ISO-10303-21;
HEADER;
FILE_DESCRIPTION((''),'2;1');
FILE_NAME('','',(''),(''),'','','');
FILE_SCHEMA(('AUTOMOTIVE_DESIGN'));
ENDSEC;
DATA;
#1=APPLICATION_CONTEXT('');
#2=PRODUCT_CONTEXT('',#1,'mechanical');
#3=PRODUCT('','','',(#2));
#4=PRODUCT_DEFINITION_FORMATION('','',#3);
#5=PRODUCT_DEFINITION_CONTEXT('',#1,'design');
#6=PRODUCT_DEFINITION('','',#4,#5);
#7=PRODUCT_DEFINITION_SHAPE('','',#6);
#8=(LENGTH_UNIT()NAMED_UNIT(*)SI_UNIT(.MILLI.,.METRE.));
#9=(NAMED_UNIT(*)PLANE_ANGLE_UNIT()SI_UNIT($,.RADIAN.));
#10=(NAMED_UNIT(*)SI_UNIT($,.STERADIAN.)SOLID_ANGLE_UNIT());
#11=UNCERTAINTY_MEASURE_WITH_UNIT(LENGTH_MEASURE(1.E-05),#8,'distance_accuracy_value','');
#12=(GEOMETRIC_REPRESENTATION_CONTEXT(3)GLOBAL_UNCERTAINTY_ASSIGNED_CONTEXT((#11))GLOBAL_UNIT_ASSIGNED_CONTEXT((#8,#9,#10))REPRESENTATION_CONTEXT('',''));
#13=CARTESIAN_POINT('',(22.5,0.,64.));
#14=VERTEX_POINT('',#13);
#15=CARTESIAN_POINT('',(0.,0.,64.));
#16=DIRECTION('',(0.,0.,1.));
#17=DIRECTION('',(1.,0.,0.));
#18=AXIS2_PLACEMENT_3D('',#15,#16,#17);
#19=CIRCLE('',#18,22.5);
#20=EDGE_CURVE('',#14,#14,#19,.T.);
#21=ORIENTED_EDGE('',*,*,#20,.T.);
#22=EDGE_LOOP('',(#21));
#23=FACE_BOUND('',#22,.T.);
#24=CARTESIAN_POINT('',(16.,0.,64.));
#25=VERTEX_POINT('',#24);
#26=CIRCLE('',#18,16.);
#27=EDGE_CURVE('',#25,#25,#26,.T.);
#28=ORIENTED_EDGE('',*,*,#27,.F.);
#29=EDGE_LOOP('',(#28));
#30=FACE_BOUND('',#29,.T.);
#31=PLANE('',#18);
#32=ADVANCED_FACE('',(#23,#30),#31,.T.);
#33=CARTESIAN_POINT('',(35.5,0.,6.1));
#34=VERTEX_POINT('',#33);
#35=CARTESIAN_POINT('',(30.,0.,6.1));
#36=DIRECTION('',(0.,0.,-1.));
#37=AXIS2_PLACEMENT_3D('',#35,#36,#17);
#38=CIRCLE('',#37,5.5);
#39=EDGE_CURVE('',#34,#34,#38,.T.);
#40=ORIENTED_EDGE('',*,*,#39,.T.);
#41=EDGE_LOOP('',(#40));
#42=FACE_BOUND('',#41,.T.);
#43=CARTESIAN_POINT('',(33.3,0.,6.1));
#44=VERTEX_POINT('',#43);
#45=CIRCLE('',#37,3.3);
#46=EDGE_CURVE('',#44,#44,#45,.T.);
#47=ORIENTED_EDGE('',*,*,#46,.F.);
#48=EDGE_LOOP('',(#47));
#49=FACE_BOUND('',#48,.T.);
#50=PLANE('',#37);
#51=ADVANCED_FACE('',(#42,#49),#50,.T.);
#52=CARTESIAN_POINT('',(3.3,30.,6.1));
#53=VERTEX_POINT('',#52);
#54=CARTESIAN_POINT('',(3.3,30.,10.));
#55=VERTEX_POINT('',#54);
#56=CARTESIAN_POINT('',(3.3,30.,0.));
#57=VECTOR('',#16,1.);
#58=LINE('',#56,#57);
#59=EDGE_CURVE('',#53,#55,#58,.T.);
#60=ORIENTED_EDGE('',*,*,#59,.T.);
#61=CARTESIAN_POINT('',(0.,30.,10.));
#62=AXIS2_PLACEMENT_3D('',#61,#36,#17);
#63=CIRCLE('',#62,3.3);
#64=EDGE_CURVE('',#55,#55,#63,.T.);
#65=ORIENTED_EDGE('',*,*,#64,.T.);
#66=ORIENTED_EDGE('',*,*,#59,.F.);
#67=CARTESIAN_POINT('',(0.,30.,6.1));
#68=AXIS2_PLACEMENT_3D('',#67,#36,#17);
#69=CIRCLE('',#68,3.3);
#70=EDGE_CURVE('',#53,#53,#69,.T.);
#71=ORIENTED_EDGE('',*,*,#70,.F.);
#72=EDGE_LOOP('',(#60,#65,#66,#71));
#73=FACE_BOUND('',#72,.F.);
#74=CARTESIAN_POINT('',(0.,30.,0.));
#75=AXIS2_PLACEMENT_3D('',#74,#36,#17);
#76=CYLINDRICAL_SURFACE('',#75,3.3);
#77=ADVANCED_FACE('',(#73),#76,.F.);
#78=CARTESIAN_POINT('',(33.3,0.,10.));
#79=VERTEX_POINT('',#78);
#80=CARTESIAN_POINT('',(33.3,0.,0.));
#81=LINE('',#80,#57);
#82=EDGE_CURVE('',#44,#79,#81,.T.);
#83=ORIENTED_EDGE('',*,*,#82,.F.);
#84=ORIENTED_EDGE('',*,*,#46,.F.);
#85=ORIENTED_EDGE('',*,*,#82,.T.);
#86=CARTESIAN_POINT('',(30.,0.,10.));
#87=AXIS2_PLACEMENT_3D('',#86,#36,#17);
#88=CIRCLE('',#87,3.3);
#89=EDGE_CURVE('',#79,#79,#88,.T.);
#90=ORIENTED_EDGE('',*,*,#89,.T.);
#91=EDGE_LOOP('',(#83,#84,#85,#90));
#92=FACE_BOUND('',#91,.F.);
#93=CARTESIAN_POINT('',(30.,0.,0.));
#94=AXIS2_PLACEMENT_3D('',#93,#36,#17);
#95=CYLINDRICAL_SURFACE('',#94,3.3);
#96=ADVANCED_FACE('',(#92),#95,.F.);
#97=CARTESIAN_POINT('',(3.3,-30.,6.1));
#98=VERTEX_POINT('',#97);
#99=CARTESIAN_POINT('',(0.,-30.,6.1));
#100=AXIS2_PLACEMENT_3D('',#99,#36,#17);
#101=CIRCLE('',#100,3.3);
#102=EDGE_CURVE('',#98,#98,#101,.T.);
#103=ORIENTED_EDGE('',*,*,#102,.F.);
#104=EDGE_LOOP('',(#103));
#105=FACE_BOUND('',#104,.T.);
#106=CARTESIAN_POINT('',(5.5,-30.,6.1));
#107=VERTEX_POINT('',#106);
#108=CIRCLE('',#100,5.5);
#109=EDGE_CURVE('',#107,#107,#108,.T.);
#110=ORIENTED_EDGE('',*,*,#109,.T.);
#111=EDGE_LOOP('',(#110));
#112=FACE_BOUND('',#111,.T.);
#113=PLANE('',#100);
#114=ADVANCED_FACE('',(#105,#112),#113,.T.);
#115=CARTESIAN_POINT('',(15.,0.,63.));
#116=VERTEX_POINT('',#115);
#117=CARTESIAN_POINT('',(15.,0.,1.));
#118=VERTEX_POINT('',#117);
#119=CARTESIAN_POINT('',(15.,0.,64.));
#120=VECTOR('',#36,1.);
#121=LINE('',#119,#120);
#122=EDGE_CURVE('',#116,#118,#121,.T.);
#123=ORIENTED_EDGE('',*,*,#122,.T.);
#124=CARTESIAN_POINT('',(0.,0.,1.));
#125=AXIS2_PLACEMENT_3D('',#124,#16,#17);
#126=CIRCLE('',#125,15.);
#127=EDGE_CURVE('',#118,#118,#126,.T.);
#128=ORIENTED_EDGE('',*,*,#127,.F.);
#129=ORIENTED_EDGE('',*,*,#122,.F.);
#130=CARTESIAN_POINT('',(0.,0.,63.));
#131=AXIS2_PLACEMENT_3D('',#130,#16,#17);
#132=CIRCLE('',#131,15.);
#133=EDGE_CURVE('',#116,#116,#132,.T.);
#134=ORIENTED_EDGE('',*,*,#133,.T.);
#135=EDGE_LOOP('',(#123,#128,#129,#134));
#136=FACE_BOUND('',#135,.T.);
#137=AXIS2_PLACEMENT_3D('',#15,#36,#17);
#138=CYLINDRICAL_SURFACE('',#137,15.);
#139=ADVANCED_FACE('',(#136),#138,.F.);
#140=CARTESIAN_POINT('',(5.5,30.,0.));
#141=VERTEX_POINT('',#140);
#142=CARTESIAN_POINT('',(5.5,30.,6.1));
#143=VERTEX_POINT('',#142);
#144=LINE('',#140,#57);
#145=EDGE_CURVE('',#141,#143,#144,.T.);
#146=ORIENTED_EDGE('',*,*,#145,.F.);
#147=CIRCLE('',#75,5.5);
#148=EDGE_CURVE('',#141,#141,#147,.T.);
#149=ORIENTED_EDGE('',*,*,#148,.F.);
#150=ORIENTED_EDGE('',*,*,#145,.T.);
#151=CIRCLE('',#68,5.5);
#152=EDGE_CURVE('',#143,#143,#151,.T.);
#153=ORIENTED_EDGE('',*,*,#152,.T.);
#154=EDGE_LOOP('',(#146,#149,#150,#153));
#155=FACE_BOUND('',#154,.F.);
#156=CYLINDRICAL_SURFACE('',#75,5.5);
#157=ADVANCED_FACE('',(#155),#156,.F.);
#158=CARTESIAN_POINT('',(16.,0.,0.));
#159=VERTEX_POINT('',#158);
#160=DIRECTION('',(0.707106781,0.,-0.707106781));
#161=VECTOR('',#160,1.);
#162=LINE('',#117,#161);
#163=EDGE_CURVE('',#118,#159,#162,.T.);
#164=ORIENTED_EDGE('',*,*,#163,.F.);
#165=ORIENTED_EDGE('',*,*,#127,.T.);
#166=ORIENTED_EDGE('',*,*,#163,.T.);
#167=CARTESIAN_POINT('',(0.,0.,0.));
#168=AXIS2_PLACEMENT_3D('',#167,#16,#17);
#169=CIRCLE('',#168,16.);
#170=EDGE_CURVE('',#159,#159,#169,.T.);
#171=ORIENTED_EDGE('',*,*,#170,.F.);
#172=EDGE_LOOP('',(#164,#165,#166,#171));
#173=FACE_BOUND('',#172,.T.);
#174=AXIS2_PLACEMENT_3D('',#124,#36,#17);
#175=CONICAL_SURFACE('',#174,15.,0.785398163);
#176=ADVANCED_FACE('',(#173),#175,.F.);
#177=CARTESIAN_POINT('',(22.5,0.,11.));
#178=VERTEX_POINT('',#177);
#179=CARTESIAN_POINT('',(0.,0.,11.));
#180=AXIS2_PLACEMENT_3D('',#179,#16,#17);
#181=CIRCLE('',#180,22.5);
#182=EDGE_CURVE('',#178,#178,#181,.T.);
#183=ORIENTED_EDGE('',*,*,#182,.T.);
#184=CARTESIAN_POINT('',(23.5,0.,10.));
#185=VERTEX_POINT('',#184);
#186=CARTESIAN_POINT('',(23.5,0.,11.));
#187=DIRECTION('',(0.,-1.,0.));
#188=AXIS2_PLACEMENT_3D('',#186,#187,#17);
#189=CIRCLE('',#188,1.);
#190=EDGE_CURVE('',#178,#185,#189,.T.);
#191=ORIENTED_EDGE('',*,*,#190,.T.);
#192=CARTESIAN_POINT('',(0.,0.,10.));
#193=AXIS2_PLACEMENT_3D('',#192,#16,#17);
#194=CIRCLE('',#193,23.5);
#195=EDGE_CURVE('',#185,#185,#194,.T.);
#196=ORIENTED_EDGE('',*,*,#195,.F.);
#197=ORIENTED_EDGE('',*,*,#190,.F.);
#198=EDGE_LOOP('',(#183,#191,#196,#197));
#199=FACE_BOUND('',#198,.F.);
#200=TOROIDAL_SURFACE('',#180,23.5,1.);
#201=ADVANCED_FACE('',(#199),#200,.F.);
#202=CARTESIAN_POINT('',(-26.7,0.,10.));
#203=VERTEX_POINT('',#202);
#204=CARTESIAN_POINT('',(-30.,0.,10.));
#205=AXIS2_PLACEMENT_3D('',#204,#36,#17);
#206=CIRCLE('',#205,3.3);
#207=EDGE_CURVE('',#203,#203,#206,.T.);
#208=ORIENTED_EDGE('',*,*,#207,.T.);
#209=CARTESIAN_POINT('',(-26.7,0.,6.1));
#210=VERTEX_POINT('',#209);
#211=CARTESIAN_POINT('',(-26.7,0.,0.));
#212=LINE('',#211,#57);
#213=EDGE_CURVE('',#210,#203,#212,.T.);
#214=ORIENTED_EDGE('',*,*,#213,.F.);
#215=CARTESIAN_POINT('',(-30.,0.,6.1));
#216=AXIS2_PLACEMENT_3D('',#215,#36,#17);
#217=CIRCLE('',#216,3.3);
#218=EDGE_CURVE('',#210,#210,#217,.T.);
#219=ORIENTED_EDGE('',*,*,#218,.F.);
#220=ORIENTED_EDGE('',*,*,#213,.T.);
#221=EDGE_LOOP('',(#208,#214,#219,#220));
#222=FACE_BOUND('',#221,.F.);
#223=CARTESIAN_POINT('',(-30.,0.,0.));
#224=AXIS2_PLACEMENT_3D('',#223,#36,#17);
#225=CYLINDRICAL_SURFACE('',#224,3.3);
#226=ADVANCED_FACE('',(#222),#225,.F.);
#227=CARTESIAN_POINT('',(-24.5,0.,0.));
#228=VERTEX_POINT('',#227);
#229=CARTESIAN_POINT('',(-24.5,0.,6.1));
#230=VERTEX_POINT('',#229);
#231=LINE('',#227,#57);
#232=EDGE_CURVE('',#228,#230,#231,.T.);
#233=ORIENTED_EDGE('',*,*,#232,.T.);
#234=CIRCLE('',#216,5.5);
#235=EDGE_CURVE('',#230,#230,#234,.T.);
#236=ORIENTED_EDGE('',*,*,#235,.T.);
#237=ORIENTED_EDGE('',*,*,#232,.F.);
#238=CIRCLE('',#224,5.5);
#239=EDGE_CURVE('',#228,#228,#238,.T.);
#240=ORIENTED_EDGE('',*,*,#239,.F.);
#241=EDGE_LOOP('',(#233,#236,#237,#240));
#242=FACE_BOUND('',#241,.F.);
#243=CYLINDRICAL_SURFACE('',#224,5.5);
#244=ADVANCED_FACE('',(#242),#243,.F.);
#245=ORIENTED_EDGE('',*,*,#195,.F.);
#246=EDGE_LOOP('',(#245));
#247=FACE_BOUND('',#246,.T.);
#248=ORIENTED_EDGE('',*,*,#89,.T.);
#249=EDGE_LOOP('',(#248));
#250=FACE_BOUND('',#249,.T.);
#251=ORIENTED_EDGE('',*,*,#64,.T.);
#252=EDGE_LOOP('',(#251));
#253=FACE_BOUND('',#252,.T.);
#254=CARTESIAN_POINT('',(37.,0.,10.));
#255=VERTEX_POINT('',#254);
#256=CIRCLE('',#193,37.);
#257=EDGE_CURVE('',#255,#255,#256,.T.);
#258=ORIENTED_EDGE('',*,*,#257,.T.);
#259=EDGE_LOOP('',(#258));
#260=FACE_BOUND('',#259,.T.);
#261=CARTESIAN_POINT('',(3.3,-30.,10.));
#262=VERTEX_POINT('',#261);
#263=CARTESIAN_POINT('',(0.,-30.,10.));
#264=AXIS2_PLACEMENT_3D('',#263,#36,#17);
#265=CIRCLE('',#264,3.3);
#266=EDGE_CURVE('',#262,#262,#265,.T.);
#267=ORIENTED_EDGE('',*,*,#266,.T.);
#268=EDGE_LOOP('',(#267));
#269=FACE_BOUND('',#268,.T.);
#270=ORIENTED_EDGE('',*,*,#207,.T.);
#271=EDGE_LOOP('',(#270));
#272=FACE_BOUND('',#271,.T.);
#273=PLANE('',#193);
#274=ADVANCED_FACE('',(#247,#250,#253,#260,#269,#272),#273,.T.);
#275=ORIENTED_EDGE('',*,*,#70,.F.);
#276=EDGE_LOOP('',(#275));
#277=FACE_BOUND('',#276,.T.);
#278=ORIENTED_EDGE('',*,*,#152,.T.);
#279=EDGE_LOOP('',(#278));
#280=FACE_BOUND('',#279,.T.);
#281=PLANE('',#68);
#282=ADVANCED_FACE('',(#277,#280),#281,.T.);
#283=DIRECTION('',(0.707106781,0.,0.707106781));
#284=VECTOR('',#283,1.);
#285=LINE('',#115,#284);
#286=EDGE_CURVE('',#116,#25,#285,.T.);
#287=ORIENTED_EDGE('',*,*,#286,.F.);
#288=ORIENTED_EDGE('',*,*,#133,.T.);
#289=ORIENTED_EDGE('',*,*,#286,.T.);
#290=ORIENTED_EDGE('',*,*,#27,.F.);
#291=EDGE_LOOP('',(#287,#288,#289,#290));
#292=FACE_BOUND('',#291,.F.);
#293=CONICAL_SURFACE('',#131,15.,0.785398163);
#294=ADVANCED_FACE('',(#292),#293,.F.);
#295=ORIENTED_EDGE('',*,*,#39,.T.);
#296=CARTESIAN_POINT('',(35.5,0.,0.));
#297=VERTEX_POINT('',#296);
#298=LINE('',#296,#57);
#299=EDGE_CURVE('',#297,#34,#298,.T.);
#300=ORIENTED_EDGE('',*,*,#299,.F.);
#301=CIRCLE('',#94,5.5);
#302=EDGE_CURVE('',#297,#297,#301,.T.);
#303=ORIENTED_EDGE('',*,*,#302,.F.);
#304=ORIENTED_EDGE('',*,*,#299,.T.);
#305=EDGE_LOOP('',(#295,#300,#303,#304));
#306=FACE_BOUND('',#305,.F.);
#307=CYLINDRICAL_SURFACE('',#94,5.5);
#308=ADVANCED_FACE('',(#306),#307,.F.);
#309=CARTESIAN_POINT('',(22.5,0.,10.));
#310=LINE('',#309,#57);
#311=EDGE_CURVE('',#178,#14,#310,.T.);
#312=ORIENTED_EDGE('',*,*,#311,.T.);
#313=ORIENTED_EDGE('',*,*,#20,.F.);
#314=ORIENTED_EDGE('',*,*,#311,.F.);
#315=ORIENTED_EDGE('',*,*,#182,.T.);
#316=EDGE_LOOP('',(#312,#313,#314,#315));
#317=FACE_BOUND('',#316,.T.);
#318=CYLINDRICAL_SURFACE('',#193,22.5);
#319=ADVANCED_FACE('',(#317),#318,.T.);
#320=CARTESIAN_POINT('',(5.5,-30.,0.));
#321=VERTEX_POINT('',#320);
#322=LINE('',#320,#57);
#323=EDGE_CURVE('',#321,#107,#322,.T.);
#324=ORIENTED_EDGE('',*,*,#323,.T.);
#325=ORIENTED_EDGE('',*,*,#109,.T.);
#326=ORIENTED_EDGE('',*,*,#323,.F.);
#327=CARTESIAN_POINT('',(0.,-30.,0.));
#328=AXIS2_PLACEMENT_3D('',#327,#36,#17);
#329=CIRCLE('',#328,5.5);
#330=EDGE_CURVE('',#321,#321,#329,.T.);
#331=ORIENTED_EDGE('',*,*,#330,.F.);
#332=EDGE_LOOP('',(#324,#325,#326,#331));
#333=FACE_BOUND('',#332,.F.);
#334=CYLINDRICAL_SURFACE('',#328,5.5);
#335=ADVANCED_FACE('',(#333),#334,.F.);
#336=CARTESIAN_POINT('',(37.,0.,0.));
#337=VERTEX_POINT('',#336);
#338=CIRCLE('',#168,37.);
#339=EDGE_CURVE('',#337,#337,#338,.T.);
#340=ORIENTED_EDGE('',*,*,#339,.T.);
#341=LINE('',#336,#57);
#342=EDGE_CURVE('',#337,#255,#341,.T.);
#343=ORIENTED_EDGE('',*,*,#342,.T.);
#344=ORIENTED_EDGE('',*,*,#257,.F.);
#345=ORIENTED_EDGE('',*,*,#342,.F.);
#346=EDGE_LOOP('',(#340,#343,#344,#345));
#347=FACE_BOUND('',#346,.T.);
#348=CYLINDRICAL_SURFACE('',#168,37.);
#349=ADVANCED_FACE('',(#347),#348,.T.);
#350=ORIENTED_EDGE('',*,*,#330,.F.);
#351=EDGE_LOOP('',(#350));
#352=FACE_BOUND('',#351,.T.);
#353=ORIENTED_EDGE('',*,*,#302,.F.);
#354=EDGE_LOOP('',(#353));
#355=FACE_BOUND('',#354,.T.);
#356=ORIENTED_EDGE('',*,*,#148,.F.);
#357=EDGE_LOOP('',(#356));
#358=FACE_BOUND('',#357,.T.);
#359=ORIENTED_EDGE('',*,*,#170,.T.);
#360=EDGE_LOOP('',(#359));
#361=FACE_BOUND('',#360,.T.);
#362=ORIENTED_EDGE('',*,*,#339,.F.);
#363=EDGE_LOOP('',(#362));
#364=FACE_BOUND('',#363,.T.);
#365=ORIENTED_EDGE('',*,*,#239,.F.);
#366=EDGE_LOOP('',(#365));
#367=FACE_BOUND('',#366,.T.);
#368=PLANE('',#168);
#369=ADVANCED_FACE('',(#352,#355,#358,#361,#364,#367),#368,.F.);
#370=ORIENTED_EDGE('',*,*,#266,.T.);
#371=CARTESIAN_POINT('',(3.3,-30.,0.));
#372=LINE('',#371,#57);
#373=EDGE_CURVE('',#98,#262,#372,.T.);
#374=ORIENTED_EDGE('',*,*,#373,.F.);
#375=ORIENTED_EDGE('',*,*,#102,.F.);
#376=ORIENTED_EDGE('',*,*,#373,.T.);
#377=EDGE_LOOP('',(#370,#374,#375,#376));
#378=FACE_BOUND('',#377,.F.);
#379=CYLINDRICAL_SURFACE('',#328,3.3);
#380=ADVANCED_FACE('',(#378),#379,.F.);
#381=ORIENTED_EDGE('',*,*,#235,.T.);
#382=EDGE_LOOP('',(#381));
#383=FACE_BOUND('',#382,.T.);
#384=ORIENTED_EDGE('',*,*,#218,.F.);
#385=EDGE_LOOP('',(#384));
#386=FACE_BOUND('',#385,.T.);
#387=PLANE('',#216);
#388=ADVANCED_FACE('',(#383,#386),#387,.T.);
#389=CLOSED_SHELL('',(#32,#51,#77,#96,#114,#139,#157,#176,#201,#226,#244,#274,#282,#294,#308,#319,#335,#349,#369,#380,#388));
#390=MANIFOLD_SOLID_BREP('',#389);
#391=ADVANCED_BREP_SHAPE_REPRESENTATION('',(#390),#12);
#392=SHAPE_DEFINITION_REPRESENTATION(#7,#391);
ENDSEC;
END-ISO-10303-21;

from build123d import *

# Parameters (mm, degrees)
F2_R     = 3.3
F3_DEPTH = 64.001
F4_R     = 5.5
F5_DEPTH = 6.1
F6_R     = 1
F7_SIZE2 = 1
F7_SIZE  = 1
F8_SIZE  = 1


with BuildPart() as f1:
    # F0 (on Front) → F1 (revolve)
    with BuildSketch(Plane.XZ):
        Polygon((15, 64), (15, 0), (37, 0), (37, 10), (22.5, 10), (22.5, 64), align=None)
    revolve(axis=Axis((0, 0, 43.789597), (0, 0, 1)))

    # F2 (on face) → F3 (cut, through all)
    with BuildSketch(Plane(origin=(0, 0, 0), x_dir=(1, 0, 0), z_dir=(0, 0, -1))):
        with Locations((0, 30)):
            Circle(F2_R)
        with Locations((-30, 0)):
            Circle(F2_R)
        with Locations((0, -30)):
            Circle(F2_R)
        with Locations((30, 0)):
            Circle(F2_R)
    extrude(amount=-F3_DEPTH, mode=Mode.SUBTRACT)

    # F4 (on face) → F5 (cut)
    with BuildSketch(Plane(origin=(0, 0, 0), x_dir=(1, 0, 0), z_dir=(0, 0, -1))):
        with Locations((0, 30)):
            Circle(F4_R)
        with Locations((30, 0)):
            Circle(F4_R)
        with Locations((-30, 0)):
            Circle(F4_R)
        with Locations((0, -30)):
            Circle(F4_R)
    extrude(amount=-F5_DEPTH, mode=Mode.SUBTRACT)

    # F6
    f6_edges = [f1.edges().sort_by_distance(p)[0] for p in [
        (-22.5, 0, 10),
    ]]
    fillet(f6_edges, radius=F6_R)

    # F7
    f7_edges = [f1.edges().sort_by_distance(p)[0] for p in [
        (-15, 0, 0),
    ]]
    chamfer(f7_edges, length=F7_SIZE, length2=F7_SIZE2)

    # F8
    f8_edges = [f1.edges().sort_by_distance(p)[0] for p in [
        (-15, 0, 64),
    ]]
    chamfer(f8_edges, length=F8_SIZE)


solid = f1.part
